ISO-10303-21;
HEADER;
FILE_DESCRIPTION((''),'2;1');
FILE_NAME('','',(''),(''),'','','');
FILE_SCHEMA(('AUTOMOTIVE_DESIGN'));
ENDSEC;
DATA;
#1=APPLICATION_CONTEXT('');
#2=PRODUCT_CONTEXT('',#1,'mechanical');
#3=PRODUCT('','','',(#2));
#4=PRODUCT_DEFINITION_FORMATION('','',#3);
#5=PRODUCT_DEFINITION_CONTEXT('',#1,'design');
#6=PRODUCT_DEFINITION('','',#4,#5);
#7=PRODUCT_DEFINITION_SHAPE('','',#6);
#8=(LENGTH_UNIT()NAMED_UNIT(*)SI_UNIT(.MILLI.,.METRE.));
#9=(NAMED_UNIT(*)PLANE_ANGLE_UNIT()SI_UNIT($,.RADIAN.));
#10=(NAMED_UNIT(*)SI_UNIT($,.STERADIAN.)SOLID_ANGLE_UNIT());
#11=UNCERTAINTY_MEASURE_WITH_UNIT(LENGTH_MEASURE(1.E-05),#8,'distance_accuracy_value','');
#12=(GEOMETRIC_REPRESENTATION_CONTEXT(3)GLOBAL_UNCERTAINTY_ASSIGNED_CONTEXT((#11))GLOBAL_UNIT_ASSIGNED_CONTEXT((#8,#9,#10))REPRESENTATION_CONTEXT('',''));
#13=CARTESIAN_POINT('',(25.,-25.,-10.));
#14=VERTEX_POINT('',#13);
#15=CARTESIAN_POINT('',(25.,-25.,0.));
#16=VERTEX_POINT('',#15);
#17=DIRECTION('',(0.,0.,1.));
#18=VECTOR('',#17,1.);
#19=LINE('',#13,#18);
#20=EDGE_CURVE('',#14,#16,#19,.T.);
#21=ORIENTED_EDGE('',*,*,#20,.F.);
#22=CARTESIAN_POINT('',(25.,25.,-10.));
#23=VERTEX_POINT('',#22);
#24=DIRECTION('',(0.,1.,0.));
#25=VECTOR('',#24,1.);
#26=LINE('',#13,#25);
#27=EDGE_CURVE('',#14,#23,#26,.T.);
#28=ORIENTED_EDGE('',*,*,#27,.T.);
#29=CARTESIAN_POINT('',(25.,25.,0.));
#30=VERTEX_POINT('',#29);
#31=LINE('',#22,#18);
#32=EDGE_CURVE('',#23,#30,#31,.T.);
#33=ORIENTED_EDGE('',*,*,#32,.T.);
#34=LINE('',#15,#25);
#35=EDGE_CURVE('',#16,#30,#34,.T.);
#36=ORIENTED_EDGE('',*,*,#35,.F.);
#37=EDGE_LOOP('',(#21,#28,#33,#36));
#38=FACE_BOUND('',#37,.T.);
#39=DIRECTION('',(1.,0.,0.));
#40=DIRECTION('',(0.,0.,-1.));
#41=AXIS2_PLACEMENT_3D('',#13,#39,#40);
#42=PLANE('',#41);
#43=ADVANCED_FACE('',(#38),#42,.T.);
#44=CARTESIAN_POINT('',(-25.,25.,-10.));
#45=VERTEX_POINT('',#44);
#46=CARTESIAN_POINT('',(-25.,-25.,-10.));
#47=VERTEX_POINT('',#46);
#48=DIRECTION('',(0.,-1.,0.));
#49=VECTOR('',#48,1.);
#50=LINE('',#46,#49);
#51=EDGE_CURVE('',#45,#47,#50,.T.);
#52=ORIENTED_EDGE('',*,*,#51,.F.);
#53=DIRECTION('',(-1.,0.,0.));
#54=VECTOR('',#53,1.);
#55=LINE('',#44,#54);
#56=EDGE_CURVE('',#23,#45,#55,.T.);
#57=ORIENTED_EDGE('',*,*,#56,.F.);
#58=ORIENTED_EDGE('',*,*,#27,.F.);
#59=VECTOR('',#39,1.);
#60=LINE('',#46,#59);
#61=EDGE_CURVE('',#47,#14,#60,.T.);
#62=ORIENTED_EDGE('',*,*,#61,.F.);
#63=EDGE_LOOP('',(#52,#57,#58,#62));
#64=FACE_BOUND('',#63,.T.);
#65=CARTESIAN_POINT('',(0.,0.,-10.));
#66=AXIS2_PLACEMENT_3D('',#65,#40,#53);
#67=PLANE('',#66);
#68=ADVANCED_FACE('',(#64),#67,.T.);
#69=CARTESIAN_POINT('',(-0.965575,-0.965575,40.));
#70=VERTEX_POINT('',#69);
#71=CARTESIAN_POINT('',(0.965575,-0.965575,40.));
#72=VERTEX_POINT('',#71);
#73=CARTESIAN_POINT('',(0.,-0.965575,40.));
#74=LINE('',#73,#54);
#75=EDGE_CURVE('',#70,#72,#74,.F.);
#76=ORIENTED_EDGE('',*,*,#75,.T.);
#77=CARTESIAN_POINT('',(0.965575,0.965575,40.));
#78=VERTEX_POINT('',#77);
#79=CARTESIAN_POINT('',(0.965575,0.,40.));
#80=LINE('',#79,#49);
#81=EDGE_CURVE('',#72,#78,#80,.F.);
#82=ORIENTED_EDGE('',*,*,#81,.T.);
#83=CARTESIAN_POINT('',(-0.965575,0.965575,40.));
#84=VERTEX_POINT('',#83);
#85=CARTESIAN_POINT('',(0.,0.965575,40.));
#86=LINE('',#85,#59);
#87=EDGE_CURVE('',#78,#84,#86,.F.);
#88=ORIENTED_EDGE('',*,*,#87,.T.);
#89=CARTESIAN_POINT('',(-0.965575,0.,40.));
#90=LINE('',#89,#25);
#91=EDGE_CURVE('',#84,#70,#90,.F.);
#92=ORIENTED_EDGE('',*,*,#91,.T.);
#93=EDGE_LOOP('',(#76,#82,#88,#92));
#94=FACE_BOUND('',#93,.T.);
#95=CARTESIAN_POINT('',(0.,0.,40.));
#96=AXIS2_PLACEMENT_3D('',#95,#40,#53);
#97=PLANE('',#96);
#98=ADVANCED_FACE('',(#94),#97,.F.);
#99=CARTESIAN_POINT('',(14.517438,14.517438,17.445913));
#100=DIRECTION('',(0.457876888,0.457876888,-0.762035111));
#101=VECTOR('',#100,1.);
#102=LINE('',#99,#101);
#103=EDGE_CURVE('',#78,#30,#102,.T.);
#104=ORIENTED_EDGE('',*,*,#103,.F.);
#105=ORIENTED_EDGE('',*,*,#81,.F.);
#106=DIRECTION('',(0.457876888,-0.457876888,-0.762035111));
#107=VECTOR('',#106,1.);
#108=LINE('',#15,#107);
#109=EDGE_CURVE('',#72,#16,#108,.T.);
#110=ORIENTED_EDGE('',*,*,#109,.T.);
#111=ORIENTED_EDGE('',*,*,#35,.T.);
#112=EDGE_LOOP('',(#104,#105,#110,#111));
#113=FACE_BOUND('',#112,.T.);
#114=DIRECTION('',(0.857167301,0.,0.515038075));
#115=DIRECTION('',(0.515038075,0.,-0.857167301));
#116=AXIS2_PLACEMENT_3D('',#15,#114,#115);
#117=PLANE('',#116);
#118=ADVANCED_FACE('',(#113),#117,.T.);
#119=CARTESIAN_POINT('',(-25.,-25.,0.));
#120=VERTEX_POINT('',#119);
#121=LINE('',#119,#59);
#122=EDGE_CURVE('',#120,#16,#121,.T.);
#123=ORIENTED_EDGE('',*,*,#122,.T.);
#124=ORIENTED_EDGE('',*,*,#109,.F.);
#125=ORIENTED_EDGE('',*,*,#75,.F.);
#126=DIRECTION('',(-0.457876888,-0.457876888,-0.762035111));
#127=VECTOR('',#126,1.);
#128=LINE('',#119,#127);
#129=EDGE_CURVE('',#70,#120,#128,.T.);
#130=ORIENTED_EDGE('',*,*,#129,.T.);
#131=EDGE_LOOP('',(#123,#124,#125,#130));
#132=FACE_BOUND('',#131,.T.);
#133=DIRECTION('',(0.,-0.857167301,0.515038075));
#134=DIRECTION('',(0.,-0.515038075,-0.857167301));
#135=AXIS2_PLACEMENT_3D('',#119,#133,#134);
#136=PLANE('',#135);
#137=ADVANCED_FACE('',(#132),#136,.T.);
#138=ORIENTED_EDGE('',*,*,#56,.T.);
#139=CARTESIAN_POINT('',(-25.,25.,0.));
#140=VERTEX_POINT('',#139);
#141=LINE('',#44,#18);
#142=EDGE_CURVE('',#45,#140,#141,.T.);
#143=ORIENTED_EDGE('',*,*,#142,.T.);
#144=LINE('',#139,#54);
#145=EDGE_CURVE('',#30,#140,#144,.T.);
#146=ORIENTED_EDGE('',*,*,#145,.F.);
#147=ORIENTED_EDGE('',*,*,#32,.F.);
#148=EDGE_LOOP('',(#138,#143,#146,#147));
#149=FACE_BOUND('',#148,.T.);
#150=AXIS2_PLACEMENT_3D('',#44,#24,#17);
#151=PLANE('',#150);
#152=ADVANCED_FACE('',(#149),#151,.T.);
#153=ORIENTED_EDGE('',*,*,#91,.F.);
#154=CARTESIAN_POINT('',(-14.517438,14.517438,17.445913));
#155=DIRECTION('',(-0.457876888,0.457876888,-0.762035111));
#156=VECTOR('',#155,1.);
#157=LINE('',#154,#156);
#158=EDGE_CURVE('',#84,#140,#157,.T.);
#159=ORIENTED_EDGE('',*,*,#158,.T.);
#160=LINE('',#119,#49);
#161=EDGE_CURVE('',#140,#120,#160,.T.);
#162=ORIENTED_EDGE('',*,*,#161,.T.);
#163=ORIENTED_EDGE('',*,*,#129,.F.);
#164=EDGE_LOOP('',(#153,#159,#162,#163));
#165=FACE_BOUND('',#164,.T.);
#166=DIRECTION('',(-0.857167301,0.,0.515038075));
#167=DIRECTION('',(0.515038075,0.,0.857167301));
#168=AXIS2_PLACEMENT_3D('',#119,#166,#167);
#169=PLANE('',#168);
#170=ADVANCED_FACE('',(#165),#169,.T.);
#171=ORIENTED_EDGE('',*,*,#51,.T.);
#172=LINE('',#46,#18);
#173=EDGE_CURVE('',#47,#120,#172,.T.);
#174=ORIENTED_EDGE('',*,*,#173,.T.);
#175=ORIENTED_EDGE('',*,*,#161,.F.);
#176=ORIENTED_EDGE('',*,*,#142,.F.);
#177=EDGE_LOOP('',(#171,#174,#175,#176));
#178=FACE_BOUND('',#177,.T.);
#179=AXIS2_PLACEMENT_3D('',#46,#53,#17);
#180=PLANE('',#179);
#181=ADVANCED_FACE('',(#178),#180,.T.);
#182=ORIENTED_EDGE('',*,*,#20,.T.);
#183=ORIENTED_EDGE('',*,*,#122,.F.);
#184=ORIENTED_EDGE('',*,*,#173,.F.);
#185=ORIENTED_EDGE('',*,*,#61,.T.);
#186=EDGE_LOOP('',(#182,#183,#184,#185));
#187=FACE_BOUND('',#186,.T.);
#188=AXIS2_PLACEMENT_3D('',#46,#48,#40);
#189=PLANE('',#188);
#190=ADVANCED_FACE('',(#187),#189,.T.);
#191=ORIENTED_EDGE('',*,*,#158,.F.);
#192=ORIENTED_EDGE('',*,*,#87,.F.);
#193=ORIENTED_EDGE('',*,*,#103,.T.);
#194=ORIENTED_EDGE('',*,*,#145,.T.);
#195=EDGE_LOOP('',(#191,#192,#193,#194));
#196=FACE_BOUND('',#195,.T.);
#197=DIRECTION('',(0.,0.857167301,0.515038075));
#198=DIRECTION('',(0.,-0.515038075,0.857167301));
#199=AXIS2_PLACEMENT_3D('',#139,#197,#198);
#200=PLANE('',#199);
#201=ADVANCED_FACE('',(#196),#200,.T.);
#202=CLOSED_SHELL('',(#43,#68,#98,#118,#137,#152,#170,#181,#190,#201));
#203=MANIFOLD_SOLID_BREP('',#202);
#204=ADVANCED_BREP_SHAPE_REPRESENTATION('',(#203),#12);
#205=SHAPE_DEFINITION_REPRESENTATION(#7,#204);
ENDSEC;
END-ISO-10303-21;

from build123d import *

# Parameters (mm, degrees)
CELLULE_W          = 50
CELLULE_H          = 50
BOSS_EXTRU_1_DEPTH = 10
ESQUISSE2_W        = 50
ESQUISSE2_H        = 50
BOSS_EXTRU_2_DEPTH = 40
BOSS_EXTRU_2_TAPER = 31


with BuildPart() as part:
    # cellule → Boss.-Extru.1 (new body)
    with BuildSketch(Plane.XY):
        Rectangle(CELLULE_W, CELLULE_H)
    extrude(amount=-BOSS_EXTRU_1_DEPTH)

    # Esquisse2 → Boss.-Extru.2 (add)
    with BuildSketch(Plane.XY):
        Rectangle(ESQUISSE2_W, ESQUISSE2_H)
    extrude(amount=BOSS_EXTRU_2_DEPTH, taper=BOSS_EXTRU_2_TAPER)


solid = part.part
